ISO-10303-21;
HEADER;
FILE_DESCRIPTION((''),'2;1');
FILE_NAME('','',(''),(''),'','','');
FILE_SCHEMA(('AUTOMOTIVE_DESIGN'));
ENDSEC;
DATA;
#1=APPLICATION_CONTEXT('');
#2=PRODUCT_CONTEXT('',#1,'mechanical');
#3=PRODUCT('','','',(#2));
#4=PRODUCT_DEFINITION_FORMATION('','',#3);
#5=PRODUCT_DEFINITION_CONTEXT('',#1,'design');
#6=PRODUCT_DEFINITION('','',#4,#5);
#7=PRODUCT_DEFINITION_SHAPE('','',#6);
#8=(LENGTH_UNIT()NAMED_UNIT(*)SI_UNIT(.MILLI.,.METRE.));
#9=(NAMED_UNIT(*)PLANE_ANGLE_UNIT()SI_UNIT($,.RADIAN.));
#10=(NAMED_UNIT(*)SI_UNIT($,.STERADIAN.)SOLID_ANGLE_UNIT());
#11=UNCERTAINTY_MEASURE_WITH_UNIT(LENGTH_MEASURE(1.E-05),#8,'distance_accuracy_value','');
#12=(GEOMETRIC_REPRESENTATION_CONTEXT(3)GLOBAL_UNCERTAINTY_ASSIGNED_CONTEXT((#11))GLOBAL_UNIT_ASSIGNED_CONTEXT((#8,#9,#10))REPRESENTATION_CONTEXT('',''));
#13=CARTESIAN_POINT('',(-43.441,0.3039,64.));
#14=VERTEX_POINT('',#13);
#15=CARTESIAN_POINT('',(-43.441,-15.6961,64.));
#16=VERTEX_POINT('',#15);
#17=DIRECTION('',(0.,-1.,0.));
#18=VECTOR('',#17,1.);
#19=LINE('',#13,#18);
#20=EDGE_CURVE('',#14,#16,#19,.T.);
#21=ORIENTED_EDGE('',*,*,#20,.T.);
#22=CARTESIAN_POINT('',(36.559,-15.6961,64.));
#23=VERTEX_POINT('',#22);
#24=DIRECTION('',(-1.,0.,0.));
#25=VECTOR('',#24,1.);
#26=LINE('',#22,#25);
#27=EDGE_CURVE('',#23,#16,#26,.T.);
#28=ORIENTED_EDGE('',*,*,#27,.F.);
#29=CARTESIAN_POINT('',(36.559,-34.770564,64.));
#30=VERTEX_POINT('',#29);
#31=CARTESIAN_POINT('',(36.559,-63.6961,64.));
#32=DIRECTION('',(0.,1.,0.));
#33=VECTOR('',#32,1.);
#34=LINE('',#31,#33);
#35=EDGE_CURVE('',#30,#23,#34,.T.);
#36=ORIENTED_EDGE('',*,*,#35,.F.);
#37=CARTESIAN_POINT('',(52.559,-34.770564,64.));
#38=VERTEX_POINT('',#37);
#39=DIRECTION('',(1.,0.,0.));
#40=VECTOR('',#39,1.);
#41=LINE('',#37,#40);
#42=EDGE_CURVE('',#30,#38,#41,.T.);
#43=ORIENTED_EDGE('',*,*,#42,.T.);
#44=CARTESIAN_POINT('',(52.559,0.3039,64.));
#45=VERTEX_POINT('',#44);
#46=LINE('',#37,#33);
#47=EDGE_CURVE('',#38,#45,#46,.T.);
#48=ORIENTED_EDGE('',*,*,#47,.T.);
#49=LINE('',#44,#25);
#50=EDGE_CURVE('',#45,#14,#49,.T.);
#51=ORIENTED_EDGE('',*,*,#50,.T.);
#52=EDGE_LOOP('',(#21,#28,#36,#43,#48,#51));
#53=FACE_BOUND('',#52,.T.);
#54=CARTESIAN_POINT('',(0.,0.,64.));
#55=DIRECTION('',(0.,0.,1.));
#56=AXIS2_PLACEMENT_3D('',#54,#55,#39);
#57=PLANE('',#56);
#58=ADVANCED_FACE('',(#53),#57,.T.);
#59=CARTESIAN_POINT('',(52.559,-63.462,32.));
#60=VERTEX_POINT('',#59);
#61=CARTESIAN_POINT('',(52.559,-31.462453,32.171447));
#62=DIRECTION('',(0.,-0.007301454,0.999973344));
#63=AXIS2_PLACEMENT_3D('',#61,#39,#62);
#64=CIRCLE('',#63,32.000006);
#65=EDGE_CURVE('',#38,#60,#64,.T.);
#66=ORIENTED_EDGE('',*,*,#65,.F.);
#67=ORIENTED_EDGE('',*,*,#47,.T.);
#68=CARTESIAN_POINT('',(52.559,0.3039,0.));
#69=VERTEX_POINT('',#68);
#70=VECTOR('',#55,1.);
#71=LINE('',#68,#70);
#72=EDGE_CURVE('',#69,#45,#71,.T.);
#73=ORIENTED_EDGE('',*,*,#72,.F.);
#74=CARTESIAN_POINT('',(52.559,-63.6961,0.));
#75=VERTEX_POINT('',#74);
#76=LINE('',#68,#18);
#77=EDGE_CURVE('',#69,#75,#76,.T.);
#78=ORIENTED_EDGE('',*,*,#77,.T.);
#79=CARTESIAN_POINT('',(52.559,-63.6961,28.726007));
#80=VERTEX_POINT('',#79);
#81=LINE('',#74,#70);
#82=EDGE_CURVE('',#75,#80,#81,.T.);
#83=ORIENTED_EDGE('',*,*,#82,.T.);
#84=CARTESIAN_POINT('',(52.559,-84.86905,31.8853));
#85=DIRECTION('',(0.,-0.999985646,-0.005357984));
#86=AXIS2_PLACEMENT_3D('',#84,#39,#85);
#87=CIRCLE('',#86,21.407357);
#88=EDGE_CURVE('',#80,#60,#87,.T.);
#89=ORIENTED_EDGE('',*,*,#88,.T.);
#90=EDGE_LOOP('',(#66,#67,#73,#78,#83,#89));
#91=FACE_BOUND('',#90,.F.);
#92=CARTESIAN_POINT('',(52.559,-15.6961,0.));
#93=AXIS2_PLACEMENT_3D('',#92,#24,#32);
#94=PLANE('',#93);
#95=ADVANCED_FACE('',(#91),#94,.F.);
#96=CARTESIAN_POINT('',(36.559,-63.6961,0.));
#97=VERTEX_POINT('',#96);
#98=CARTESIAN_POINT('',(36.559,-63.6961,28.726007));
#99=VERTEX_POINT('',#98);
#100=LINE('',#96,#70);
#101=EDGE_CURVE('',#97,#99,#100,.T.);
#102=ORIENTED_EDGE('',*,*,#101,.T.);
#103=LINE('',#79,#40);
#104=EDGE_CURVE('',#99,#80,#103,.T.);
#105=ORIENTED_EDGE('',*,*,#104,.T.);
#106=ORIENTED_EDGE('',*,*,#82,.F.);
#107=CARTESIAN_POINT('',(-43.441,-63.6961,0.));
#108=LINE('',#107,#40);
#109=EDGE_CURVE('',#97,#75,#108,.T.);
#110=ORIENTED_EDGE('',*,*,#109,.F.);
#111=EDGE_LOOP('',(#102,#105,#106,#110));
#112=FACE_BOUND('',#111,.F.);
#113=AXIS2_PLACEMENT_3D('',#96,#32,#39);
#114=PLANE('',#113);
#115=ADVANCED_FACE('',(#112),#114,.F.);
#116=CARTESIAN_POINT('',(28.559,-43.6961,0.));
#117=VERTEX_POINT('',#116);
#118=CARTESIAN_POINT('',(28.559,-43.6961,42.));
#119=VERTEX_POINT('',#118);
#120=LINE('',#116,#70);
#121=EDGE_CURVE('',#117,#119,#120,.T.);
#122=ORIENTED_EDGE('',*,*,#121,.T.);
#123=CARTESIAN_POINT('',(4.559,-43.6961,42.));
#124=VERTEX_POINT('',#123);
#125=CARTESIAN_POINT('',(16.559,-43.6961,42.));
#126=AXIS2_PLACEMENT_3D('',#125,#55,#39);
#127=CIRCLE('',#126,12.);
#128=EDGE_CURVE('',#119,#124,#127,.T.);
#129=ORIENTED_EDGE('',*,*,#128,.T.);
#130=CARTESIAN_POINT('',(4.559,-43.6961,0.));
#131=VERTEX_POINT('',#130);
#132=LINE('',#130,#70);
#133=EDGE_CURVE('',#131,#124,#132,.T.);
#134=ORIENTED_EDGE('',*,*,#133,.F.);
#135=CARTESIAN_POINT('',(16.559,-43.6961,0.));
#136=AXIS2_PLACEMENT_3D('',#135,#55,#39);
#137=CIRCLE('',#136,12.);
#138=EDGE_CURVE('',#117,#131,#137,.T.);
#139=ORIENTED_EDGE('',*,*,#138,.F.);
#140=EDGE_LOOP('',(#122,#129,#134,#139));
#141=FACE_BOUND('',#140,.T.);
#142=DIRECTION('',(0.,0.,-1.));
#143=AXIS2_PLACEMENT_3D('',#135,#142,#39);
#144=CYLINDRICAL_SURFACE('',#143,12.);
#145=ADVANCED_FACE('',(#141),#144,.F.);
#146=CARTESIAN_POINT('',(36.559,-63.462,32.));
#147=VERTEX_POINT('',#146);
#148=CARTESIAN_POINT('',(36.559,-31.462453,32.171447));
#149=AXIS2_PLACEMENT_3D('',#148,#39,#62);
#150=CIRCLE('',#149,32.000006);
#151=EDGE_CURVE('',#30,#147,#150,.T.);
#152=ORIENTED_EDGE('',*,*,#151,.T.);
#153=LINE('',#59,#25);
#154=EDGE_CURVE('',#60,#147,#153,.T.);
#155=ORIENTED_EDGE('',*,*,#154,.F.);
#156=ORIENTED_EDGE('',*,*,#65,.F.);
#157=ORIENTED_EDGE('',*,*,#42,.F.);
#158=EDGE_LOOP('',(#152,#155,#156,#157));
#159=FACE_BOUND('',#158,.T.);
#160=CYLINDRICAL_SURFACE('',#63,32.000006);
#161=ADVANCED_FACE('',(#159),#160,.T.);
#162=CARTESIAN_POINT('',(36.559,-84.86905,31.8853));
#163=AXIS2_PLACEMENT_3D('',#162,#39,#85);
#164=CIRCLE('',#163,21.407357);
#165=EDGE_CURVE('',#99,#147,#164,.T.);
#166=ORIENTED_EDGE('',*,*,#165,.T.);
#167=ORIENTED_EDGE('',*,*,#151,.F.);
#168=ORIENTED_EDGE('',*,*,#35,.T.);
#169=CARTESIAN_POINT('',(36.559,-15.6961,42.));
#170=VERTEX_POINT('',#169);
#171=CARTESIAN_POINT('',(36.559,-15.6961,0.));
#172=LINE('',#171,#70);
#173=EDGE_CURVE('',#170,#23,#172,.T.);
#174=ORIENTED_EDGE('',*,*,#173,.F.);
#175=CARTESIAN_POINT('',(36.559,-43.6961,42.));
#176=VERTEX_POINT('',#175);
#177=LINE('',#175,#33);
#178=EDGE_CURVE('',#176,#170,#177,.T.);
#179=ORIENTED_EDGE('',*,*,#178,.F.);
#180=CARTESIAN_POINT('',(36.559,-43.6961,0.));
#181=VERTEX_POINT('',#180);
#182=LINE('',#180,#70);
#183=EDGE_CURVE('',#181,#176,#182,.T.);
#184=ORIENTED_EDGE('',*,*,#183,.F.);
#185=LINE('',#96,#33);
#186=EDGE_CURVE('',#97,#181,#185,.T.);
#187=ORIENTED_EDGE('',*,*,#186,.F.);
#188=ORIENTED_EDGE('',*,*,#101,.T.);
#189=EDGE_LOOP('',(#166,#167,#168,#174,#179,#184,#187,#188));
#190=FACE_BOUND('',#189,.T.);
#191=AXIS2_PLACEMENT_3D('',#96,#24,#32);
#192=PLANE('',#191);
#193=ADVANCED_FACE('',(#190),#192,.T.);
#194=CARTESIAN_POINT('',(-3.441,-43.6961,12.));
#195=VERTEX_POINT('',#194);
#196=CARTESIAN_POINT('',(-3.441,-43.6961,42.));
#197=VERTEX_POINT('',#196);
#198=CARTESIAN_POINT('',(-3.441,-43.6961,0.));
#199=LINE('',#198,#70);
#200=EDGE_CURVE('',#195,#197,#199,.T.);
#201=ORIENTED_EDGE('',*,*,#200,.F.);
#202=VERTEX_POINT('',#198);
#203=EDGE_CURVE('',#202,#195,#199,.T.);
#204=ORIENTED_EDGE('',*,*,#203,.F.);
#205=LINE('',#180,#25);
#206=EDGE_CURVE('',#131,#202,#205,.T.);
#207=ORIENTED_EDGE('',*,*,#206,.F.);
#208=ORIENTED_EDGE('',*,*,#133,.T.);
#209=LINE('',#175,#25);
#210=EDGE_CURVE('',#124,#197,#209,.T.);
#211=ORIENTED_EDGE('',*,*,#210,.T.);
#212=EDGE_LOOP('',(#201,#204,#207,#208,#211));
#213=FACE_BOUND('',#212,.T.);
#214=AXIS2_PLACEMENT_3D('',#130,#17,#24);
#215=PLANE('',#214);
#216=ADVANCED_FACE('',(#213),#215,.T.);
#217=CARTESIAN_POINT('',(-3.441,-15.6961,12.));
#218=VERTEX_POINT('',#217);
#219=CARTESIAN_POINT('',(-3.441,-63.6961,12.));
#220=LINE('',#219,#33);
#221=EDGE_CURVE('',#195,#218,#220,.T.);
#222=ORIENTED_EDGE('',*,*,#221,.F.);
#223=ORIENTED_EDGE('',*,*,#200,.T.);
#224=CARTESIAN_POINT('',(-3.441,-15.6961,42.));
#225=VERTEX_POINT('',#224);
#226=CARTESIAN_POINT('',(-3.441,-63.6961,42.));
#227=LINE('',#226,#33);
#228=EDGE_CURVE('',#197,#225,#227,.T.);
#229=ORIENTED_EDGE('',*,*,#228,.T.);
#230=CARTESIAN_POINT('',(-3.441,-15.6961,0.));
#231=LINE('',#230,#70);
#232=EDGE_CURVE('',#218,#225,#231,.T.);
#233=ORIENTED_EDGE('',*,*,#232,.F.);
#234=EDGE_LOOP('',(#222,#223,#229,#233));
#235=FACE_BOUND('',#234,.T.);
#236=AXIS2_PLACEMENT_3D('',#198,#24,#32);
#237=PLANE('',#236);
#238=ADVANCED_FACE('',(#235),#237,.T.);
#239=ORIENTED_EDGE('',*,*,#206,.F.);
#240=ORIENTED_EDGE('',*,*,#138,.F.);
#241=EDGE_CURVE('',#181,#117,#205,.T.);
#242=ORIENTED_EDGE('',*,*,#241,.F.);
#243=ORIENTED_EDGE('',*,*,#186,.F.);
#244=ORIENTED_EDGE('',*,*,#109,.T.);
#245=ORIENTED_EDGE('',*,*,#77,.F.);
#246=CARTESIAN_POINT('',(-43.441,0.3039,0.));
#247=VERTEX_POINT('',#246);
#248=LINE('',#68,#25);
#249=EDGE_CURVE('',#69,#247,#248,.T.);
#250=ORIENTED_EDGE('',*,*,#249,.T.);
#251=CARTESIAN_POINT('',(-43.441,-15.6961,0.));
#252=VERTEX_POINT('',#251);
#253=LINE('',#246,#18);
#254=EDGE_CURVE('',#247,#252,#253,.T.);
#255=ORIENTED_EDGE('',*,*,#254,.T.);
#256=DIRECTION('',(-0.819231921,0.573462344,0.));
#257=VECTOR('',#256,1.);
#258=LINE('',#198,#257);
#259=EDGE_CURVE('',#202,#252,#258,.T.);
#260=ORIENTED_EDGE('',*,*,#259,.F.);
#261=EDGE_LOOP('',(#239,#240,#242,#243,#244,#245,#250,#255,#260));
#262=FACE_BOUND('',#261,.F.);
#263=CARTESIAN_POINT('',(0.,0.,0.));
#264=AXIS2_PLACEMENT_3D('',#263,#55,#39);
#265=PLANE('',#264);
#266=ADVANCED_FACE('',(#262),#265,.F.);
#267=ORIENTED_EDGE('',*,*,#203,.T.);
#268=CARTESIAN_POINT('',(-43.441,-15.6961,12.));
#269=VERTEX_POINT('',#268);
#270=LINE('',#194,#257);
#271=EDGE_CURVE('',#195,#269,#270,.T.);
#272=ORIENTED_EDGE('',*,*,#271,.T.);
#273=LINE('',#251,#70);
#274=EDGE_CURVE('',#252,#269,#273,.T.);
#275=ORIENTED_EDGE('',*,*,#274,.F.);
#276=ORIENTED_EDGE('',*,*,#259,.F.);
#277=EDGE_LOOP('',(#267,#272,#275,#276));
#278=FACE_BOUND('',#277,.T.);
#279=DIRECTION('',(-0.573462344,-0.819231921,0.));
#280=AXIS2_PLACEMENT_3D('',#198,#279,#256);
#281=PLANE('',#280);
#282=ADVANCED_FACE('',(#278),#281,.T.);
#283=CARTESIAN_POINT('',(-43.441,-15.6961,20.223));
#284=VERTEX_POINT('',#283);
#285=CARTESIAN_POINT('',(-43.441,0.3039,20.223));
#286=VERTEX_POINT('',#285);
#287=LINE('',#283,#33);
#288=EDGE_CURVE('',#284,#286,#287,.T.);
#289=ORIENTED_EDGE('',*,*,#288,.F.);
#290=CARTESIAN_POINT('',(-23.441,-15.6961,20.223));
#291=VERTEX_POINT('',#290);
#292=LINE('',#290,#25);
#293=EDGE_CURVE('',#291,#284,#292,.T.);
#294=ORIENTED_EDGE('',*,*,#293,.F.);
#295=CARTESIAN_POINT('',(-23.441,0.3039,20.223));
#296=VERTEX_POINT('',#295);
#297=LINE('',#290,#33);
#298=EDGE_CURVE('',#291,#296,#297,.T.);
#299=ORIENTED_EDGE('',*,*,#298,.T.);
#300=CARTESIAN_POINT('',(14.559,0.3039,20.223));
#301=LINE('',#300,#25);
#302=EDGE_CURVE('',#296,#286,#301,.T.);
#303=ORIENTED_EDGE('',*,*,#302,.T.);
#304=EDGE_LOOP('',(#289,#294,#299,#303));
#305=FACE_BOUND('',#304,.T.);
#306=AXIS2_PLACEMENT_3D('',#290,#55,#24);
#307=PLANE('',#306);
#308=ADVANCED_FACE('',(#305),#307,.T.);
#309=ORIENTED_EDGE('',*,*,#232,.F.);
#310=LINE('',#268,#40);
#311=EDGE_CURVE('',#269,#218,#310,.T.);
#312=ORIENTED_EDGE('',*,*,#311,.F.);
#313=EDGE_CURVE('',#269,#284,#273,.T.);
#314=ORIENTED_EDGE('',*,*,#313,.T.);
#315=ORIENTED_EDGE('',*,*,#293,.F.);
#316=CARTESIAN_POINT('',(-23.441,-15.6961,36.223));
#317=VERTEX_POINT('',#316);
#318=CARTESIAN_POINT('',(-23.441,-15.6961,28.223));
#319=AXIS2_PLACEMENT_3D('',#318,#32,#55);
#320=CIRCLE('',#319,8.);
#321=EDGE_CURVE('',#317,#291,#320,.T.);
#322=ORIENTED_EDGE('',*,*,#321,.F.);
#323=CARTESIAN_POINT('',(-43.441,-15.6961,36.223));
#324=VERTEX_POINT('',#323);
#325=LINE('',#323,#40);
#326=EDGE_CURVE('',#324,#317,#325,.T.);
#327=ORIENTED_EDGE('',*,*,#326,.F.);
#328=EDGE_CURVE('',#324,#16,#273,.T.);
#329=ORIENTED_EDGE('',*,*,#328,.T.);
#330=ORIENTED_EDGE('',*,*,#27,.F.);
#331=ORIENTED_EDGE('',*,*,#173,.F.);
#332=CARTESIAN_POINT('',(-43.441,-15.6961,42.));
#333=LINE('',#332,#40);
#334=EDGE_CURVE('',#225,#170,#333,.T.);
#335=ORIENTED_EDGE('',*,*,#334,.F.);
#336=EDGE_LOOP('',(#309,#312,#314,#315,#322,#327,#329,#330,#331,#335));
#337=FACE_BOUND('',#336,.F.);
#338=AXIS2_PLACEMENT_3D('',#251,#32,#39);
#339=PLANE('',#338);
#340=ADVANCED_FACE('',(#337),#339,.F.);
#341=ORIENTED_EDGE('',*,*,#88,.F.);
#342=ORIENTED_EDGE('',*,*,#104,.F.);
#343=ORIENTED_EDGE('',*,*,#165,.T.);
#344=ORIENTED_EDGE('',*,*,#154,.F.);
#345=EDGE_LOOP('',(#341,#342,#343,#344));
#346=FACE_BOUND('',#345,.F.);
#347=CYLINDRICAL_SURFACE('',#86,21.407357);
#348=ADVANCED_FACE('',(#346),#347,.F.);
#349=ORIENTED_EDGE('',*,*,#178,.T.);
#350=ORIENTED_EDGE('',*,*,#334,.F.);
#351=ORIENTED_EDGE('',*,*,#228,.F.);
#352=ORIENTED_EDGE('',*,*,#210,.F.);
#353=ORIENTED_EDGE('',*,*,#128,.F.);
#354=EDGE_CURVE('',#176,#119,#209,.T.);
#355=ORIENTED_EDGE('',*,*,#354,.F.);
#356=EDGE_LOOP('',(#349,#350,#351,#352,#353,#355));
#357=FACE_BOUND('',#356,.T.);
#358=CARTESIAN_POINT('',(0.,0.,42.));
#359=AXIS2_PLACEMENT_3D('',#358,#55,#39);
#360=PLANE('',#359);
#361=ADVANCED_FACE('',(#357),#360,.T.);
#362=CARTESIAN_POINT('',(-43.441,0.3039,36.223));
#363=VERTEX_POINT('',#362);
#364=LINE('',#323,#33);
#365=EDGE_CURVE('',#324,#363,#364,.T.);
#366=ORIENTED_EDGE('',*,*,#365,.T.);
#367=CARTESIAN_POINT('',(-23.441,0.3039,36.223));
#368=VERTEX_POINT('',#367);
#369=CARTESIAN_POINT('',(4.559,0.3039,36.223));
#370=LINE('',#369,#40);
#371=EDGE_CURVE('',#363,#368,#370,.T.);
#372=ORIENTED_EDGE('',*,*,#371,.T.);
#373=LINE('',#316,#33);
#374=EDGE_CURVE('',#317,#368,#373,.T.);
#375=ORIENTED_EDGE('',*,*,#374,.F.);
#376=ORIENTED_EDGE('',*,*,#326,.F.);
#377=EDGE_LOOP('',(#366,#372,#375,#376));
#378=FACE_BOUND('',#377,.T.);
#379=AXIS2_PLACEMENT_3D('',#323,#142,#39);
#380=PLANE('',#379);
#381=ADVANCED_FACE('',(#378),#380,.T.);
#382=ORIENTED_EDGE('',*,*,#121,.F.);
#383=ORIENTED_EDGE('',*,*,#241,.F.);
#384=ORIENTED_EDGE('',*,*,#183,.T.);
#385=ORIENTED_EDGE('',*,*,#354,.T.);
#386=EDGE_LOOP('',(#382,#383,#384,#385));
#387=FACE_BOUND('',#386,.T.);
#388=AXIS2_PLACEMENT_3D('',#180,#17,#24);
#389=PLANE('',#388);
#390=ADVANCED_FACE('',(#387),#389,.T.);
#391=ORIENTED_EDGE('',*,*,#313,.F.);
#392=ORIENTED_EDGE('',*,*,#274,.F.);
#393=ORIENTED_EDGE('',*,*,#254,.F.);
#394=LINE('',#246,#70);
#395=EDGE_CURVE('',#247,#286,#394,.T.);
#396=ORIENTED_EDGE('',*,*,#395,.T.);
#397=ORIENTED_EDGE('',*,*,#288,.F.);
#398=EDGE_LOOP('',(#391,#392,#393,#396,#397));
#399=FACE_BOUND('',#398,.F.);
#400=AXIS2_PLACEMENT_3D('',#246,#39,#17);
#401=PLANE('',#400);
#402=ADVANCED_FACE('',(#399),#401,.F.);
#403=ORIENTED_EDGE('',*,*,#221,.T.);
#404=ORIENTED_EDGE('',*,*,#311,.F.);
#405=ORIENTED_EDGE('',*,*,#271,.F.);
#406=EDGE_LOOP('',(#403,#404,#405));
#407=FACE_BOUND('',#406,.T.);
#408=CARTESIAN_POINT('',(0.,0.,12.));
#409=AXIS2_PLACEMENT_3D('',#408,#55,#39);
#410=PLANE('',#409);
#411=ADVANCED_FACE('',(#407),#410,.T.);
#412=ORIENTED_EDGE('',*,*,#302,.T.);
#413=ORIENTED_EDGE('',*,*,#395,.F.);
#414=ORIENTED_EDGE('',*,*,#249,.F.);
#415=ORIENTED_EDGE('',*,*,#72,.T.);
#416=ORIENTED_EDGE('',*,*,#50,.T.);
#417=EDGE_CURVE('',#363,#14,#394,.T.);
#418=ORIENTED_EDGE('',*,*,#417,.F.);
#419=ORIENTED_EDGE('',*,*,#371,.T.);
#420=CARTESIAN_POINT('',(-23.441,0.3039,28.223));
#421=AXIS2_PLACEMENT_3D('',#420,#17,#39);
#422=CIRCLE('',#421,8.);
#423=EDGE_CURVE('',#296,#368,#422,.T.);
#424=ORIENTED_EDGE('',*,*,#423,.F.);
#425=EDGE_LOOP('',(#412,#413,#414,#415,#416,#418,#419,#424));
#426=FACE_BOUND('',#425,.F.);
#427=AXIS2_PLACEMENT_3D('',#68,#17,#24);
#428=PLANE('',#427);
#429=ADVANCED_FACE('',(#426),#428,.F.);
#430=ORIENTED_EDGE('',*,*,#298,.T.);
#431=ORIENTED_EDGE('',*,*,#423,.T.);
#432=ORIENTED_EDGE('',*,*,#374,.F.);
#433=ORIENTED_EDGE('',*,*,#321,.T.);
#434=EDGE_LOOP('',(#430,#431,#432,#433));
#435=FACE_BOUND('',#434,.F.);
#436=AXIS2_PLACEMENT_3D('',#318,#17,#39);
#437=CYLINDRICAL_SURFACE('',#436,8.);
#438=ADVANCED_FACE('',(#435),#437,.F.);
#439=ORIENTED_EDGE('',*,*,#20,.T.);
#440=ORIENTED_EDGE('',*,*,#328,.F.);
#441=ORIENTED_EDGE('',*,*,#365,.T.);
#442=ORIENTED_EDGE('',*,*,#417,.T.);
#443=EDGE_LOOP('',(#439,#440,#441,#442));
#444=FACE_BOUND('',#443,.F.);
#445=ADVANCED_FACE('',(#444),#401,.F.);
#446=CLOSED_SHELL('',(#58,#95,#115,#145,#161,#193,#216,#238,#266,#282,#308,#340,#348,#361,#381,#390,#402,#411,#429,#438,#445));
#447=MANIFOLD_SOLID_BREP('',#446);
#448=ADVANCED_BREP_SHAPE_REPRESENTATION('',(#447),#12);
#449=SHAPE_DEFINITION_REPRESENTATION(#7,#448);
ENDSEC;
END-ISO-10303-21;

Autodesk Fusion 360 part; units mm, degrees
sketch "Sketch1" plane through (0, 0, 0) normal (0, 0, 1) x (1, 0, 0) in component "Box"
  line L0 (-43.441, -63.6961) -> (52.559, -63.6961)
  line L1 (52.559, -63.6961) -> (52.559, 0.3039)
  line L2 (52.559, 0.3039) -> (-43.441, 0.3039)
  line L3 (-43.441, 0.3039) -> (-43.441, -63.6961)
  line L4 (-43.441, -15.6961) -> (52.559, -15.6961)
  line L5 (-163.441, -63.6961) -> (36.559, -63.6961)
  line L6 (36.559, -63.6961) -> (36.559, -43.6961)
  line L7 (36.559, -43.6961) -> (-163.441, -43.6961)
  line L8 (-163.441, -43.6961) -> (-163.441, -63.6961)
  circle A0 centre (16.559, -43.6961) radius 12
  line L9 (36.559, -43.6961) -> (36.559, -15.6961)
  line L10 (-3.441, -63.6961) -> (-3.441, -15.6961)
  line L11 (-3.441, -43.6961) -> (-43.441, -15.6961)
  dimension "d1" = 96
  dimension "d2" = 64
  dimension "d3" = 16
  dimension "d4" = 200
  dimension "d5" = 20
  dimension "d6" = 16
  dimension "d7" = 24
  dimension "d8" = 20
  dimension "d9" = 20
  dimension "d10" = 40
  dimension "d11" = 28
  dimension "d12" = 40
extrude "Extrude1" add sketch "Sketch1" along normal blind 12 contours L4 L10 L11 in component "Box"
extrude "Extrude2" add sketch "Sketch1" along normal blind 42 contours L4 L7 A0 L9 L10 in component "Box"
sketch "Sketch2" plane through (0, 0, 0) normal (0, 0, 1) x (1, 0, 0) in component "Box"
  line L0 (36.559, -16.6004) -> (36.559, 0)
  line L1 (52.559, -63.6961) -> (52.559, 0.3039)
  dimension "d17" = 16
extrude "Extrude3" add sketch "Sketch1" along normal blind 64 contours L0 L1 L4 L6 L9 in component "Box"
sketch "Sketch3" plane through (0, -63.6961, 0) normal (0, -1, 0) x (1, 0, 0) in component "Box"
  line L0 (36.559, 0) -> (52.559, 0)
  line L1 (52.559, 0) -> (52.559, 64)
  line L2 (52.559, 64) -> (36.559, 64)
  line L3 (36.559, 64) -> (36.559, 0)
sketch "Sketch4" plane through (0, -43.6961, 0) normal (0, -1, 0) x (1, 0, 0) in component "Box"
  line L0 (28.559, 0) -> (36.559, 0)
  line L1 (36.559, 0) -> (36.559, 42)
  line L2 (36.559, 42) -> (28.559, 42)
  line L3 (28.559, 42) -> (28.559, 0)
  line L4 (52.3937, 32) -> (52.3937, 0) construction
  dimension "d20" = 32
sketch "Sketch5" plane through (52.559, 0, 0) normal (1, 0, 0) x (0, 1, 0) in component "Box"
  line L0 (-63.6961, 0) -> (-15.6961, 0)
  line L1 (-15.6961, 0) -> (-15.6961, 64)
  line L2 (-15.6961, 64) -> (-63.6961, 64) construction
  line L3 (-63.6961, 64) -> (-63.6961, 0)
  arc A0 (-31.6961, 64) -> (-63.6953, 32) centre (-31.6953, 32) ccw
  line L4 (-31.6953, 32) -> (69.344, 47.5915) construction
  line L5 (-63.6961, 34.0454) -> (-63.6961, 29.5) construction
  point P0 (18.8244, 39.7958)
  dimension "d24" = 32
  dimension "d25" = 32
  dimension "d28" = 16
sketch "Sketch6" plane through (52.559, 0, 0) normal (1, 0, 0) x (0, 1, 0) in component "Box"
  line L0 (-63.6961, 0) -> (-15.6961, 0)
  line L1 (-15.6961, 0) -> (-15.6961, 64)
  line L2 (-15.6961, 64) -> (-63.6961, 64)
  line L3 (-63.6961, 64) -> (-63.6961, 0)
sketch "Sketch7" plane through (52.559, -39.6961, 32) normal (1, 0, 0) x (0, 1, 0) in component "Box"
  arc A0 (7.6874, 74.9842) -> (-66.58, -0.2294) centre (8.2336, 0.1714) ccw
  arc A1 (8, 32.1706) -> (7.6874, 74.9842) centre (7.8437, 53.5774) ccw
  arc A2 (8, 32.1706) -> (-23.7659, 0) centre (8.2336, 0.1714) ccw
  arc A3 (-66.58, -0.2294) -> (-23.7659, 0) centre (-45.173, -0.1147) ccw
  arc A4 (7.8437, 53.5774) -> (-45.173, -0.1147) centre (8.2336, 0.1714) ccw construction
  line L0 (24, -32) -> (24, 32)
  line L1 (-24, -32) -> (40, -32)
  dimension "d29" = 32
  dimension "d30" = 16
  dimension "d31" = 32
extrude "Extrude4" cut sketch "Sketch7" against normal blind 30 in component "Box"
sketch "Sketch8" plane through (0, 0, 0) normal (1, 0, 0) x (0, 1, 0) in component "Box"
  line L0 (-63.6961, 0) -> (0.3039, 0)
  point P0 (-63.6953, 32)
  dimension "d34" = 32
extrude "Extrude5" add sketch "Sketch1" along normal blind 64 contours L1 L2 L3 L4 in component "Box"
sketch "Sketch9" plane through (0, 0, 0) normal (0, 0, 1) x (1, 0, 0) in component "Box"
  line L0 (52.559, 0.3039) -> (-43.441, 0.3039)
  point P0 (52.559, -31.6961)
  dimension "d37" = 32
sketch "Sketch10" plane through (0, -15.6961, 0) normal (0, -1, 0) x (1, 0, 0) in component "Box"
  line L0 (36.559, 42) -> (36.559, 64)
  line L1 (36.559, 64) -> (-43.441, 64)
  line L2 (-43.441, 64) -> (-43.441, 12)
  line L3 (-43.441, 12) -> (-3.441, 12)
  line L4 (-3.441, 12) -> (-3.441, 42)
  line L5 (-3.441, 42) -> (36.559, 42)
  line L6 (-43.441, 64) -> (-43.441, 28.223) construction
  line L7 (-43.441, 28.223) -> (-8.4006, 28.223) construction
  circle A0 centre (-23.441, 28.223) radius 8
  line L8 (-23.441, 28.223) -> (-23.441, 48.1368) construction
  line L9 (-23.441, 48.1368) -> (-23.441, 12.9343) construction
  line L10 (-23.441, 20.223) -> (-43.441, 20.223)
  line L11 (-43.441, 20.223) -> (-43.441, 36.223)
  line L12 (-43.441, 36.223) -> (-23.441, 36.223)
  line L13 (-23.441, 36.223) -> (-23.441, 20.223)
  dimension "d38" = 35.777
  dimension "d39" = 16
  dimension "d40" = 20
  dimension "d41" = 20
  dimension "d42" = 16
extrude "Extrude6" cut sketch "Sketch10" against normal blind 155 contours L2 A0 L10 L11 L12 | A0 L13 | A0 L13 in component "Box"
component "Box" placed x (1, 0, 0) y (0, 1, 0) z (0, 0, 1) at (0, 0, 0)
